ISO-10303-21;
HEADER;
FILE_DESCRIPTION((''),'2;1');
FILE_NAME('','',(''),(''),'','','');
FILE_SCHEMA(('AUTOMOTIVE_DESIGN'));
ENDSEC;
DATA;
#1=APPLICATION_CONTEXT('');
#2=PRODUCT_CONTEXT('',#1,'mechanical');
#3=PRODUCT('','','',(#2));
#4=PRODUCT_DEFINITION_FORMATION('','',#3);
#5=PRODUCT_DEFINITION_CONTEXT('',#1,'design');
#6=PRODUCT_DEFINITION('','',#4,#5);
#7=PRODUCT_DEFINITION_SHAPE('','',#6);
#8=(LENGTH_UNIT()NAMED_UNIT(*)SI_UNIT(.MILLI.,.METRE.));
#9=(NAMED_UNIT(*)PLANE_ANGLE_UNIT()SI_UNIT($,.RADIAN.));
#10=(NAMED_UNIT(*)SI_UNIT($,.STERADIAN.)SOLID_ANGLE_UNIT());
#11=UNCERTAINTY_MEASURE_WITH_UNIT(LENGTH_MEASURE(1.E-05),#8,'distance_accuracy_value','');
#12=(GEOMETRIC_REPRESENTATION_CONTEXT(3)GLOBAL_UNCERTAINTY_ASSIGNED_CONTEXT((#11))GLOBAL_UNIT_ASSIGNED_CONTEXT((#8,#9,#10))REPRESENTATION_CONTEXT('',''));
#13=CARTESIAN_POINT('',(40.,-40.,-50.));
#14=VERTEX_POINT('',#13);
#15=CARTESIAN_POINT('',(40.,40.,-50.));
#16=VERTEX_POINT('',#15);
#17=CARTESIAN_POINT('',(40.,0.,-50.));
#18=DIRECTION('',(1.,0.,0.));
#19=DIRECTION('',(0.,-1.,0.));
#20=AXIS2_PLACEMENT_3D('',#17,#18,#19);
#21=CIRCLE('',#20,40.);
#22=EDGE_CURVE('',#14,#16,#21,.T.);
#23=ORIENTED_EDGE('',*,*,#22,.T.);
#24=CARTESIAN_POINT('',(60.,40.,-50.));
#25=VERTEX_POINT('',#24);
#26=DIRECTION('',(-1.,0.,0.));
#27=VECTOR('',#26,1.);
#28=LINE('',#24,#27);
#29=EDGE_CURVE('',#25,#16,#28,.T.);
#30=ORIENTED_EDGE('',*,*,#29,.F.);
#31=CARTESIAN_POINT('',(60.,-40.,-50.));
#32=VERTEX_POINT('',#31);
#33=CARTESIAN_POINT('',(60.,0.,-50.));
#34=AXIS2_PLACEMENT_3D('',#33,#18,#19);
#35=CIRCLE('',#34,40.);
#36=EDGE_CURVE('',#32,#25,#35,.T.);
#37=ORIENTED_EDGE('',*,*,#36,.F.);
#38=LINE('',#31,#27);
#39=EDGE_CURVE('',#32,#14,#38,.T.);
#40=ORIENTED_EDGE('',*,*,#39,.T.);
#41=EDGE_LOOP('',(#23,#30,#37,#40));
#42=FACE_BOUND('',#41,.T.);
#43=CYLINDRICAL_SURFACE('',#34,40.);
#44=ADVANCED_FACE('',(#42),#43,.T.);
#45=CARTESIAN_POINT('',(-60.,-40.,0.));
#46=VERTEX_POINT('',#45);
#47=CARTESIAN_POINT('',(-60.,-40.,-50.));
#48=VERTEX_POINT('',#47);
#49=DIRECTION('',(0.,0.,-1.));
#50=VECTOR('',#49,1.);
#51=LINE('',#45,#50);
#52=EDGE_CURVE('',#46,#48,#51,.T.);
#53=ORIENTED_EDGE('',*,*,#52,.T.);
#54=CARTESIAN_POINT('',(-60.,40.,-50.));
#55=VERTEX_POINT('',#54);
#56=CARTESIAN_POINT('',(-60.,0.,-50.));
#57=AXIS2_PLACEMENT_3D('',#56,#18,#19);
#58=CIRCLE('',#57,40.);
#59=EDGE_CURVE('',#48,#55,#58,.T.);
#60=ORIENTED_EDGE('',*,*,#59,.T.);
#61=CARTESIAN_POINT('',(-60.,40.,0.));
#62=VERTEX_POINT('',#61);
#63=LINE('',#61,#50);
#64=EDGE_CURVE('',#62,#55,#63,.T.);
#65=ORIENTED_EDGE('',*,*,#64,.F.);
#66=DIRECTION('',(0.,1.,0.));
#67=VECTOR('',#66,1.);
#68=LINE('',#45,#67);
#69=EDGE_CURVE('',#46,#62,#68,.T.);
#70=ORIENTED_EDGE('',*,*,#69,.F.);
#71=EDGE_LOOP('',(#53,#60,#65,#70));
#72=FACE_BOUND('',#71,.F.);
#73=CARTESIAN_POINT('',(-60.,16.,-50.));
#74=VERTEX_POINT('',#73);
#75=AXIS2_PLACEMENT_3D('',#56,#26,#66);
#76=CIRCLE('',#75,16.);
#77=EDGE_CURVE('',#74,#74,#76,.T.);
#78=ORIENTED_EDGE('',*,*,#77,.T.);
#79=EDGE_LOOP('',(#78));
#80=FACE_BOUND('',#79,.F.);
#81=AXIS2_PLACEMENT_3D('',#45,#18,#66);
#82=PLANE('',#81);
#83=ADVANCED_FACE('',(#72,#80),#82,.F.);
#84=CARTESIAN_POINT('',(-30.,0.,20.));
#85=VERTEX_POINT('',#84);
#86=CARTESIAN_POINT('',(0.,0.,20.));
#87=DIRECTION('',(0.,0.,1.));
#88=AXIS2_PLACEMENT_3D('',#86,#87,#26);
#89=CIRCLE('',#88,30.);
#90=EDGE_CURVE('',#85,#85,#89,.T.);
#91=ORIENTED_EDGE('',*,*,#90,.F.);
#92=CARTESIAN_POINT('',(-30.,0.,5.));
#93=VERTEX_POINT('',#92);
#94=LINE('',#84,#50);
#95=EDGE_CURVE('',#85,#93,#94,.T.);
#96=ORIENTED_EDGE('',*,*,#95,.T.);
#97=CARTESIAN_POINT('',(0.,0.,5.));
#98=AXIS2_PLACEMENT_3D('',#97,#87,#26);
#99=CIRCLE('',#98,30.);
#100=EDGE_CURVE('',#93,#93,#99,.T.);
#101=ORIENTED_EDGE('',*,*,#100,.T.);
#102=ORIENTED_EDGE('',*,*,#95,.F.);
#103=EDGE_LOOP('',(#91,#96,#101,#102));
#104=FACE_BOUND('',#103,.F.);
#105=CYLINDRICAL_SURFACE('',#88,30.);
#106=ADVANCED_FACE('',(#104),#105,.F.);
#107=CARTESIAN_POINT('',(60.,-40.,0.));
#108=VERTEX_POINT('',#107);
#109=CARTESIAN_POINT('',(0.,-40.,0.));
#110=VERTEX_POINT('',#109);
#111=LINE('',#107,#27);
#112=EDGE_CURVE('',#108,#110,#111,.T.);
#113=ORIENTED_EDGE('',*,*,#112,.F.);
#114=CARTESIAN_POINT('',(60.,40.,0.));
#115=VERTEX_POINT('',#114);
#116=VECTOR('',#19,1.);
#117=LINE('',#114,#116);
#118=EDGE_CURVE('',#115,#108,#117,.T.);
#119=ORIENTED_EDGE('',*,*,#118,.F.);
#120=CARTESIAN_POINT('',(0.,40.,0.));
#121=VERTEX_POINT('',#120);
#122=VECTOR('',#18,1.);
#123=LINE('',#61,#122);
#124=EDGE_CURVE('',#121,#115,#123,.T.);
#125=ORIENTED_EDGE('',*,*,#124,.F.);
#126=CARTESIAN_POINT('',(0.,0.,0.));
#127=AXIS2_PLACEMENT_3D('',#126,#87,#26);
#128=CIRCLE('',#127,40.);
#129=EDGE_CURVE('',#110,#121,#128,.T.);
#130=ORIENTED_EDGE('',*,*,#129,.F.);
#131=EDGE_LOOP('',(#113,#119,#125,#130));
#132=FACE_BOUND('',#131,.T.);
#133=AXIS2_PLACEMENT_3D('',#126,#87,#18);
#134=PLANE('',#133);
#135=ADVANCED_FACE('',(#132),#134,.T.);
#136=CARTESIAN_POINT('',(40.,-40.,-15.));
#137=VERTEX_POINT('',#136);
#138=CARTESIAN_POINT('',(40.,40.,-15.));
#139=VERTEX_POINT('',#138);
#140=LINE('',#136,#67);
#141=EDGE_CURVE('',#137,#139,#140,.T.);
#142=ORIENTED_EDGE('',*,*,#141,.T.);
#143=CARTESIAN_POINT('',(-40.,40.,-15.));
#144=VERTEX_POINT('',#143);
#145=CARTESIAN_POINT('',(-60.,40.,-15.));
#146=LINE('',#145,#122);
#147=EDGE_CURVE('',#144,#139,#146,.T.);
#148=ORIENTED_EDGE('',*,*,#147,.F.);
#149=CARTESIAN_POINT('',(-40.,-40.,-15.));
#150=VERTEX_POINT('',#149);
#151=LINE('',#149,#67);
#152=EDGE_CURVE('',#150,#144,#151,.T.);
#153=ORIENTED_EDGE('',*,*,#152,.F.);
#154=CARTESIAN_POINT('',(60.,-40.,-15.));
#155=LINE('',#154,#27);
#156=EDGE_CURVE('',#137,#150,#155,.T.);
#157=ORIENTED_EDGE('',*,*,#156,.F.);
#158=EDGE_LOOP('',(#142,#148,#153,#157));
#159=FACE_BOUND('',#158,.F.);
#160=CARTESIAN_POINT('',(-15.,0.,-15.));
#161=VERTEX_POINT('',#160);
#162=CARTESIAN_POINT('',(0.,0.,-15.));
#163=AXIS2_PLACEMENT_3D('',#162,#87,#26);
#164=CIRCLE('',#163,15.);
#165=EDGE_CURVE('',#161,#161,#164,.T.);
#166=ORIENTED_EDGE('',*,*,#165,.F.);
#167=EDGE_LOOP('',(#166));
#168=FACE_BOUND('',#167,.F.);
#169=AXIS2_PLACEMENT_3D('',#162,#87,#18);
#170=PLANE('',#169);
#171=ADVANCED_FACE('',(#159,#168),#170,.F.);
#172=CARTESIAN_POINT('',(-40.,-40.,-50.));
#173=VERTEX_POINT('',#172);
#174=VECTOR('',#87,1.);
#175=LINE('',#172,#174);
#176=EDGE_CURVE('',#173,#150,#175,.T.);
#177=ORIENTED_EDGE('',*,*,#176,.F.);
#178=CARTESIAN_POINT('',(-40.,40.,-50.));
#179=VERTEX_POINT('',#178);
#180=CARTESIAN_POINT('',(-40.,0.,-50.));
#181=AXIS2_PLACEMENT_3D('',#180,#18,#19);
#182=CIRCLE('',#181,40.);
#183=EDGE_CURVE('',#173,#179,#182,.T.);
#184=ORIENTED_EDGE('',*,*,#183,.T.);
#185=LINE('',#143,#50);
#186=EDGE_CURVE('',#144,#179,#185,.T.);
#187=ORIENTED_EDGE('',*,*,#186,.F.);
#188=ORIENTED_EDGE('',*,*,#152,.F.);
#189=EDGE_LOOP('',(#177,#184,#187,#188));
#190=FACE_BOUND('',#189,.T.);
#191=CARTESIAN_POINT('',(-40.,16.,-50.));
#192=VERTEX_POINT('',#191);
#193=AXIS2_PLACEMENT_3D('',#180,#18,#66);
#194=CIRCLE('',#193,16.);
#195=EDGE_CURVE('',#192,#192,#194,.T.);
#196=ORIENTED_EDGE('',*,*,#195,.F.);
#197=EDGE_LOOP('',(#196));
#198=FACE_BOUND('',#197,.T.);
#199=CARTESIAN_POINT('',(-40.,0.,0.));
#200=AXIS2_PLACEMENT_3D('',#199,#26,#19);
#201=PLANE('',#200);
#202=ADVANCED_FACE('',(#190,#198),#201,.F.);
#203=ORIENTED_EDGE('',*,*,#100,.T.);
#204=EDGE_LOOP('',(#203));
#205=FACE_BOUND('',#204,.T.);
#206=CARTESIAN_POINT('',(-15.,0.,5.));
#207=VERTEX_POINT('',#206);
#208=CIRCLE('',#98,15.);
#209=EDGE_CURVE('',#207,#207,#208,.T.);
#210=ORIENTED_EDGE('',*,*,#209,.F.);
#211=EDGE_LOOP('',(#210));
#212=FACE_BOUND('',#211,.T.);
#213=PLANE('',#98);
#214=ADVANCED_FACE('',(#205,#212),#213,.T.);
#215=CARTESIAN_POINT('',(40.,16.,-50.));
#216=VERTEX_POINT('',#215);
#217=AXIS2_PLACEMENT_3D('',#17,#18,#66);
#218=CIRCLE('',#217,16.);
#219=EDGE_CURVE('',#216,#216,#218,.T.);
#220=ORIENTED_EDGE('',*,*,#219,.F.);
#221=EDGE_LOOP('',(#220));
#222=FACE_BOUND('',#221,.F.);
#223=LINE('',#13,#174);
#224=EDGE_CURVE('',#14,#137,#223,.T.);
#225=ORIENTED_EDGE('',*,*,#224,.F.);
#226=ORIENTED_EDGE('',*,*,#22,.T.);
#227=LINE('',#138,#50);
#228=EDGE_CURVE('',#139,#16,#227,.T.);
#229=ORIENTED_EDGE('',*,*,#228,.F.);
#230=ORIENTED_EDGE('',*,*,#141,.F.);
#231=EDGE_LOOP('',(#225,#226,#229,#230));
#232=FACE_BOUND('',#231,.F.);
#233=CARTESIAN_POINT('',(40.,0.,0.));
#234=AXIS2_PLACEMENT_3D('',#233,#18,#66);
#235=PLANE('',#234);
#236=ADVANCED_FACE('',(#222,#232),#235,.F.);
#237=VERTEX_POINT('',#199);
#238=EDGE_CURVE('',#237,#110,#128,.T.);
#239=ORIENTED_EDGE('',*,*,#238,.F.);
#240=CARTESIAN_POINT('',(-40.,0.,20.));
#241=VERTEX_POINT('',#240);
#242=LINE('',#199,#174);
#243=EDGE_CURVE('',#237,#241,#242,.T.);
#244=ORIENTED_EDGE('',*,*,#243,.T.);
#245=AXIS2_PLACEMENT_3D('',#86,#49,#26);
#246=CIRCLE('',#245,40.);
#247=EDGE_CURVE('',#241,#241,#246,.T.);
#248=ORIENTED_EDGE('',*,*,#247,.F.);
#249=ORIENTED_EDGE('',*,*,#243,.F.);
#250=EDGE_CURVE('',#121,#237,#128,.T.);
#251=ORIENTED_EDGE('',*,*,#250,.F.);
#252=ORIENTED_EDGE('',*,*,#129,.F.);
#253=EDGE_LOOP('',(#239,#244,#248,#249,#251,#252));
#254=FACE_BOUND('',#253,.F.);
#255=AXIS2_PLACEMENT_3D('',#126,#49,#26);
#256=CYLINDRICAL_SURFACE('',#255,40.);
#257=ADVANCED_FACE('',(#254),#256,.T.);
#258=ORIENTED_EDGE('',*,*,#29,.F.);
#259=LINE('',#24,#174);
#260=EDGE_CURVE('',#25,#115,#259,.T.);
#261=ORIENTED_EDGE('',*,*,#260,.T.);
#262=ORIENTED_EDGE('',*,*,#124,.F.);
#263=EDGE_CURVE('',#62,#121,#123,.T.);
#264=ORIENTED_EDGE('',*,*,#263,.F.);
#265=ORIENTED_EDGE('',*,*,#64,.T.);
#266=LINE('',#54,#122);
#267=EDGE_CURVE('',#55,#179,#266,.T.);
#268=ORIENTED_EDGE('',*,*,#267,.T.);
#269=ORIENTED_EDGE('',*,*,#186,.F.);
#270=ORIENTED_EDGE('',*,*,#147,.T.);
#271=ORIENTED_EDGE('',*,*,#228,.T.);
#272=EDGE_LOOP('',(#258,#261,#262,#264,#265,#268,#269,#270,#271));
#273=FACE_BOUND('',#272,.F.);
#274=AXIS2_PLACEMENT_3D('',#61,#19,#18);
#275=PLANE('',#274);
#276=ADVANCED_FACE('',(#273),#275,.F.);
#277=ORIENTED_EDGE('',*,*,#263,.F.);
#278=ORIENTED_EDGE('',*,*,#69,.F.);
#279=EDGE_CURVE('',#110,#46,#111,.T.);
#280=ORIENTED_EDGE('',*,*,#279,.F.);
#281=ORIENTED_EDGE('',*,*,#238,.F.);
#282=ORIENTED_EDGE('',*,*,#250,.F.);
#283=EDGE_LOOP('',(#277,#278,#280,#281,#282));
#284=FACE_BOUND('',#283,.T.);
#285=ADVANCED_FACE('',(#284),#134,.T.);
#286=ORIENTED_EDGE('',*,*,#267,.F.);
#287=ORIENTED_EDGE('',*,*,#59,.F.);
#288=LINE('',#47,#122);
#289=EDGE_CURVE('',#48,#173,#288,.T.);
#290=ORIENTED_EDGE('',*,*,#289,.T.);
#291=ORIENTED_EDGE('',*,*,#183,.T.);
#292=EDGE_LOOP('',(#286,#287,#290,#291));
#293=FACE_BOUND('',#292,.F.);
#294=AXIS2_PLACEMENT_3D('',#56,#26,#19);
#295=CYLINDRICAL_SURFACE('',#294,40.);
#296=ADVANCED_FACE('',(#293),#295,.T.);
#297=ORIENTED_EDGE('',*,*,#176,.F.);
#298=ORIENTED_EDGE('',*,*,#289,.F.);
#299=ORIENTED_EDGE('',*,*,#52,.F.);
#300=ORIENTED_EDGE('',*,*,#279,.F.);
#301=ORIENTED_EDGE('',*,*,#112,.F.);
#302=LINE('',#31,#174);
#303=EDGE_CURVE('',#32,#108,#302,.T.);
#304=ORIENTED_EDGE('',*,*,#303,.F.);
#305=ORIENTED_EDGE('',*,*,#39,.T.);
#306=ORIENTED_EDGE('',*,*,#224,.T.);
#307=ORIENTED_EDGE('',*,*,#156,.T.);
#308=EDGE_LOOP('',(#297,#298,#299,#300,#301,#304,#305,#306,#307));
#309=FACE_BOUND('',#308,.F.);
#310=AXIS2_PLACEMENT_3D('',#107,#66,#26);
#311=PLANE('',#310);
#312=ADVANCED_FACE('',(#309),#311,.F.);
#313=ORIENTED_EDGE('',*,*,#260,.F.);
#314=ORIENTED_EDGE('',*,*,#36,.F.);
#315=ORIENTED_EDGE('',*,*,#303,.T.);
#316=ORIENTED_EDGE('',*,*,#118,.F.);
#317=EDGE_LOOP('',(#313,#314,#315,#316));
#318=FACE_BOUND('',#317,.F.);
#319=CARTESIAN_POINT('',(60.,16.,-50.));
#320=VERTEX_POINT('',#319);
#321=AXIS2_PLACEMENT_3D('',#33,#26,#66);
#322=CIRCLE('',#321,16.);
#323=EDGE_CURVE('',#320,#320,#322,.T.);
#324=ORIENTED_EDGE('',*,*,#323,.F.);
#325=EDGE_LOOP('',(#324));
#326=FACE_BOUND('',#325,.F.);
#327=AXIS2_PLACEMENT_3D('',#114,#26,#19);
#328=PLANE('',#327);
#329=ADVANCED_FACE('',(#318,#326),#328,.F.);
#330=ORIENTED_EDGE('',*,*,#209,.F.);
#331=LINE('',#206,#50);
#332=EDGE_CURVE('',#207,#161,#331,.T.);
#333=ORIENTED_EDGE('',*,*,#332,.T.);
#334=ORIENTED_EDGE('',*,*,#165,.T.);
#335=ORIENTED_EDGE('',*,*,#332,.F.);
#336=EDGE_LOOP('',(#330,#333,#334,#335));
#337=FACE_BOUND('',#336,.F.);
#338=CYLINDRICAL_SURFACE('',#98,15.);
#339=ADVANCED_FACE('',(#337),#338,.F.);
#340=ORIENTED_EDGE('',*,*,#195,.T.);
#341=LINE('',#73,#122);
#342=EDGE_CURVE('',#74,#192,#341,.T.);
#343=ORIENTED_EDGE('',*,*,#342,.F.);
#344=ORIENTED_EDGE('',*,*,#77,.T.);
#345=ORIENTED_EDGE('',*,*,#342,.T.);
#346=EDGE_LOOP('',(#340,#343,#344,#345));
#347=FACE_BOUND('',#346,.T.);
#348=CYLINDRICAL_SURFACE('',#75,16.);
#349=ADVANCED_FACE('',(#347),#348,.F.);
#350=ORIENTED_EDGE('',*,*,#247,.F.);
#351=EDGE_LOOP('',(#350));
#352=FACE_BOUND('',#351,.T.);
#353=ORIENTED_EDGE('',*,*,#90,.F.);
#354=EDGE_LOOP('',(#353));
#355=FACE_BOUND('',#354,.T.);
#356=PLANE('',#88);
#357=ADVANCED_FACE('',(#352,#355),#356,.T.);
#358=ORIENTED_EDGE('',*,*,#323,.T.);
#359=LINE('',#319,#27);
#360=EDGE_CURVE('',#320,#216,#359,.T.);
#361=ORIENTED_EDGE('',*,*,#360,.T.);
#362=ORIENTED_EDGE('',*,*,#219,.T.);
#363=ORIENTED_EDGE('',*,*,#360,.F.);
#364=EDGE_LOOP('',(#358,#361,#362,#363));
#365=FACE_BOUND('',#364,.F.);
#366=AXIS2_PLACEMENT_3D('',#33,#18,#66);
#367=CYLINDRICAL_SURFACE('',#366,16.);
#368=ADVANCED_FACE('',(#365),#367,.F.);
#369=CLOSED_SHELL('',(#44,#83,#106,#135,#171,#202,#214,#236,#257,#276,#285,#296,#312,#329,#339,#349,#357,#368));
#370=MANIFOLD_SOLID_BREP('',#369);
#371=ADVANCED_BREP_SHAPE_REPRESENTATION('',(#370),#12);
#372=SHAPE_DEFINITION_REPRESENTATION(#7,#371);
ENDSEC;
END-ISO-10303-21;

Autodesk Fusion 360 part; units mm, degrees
sketch "Sketch1" plane through (0, 0, 0) normal (0, 0, 1) x (1, 0, 0)
  line L0 (60, -40) -> (-60, -40)
  line L1 (-60, -40) -> (-60, 40)
  line L2 (-60, 40) -> (60, 40)
  line L3 (60, 40) -> (60, -40)
  line L4 (60, -40) -> (-60, 40) construction
  line L5 (-60, -40) -> (60, 40) construction
  dimension "d1" = 120
  dimension "d2" = 80
extrude "Extrude1" add sketch "Sketch1" against normal blind 15
sketch "Sketch2" plane through (0, 0, 0) normal (0, 0, 1) x (-1, 0, 0)
  line L0 (-60, -40) -> (60, -40)
  line L1 (60, -40) -> (60, 40)
  line L2 (60, 40) -> (-60, 40)
  line L3 (-60, 40) -> (-60, -40)
  circle A0 centre (0, 0) radius 40
  dimension "d5" = 80
extrude "Extrude2" add sketch "Sketch2" along normal blind 20 contours A0
sketch "Sketch3" plane through (0, 0, 20) normal (0, 0, 1) x (-1, 0, 0)
  circle A0 centre (0, 0) radius 40
  circle A1 centre (0, 0) radius 30
  dimension "d8" = 60
extrude "Extrude3" cut sketch "Sketch3" against normal blind 15 contours A1
sketch "Sketch4" plane through (0, 0, 5) normal (0, 0, 1) x (-1, 0, 0)
  circle A0 centre (0, 0) radius 30
  circle A1 centre (0, 0) radius 15
  dimension "d11" = 30
extrude "Extrude4" cut sketch "Sketch4" against normal blind 20 contours A1
sketch "Sketch5" plane through (60, 0, 0) normal (1, 0, 0) x (0, 1, 0)
  line L0 (40, 0) -> (-40, 0)
  line L1 (-40, 0) -> (-40, -15)
  line L2 (-40, -15) -> (40, -15)
  line L3 (40, -15) -> (40, 0)
  line L4 (-40, -15) -> (40, -15)
  line L5 (40, -15) -> (40, -50)
  line L6 (40, -50) -> (-40, -50)
  line L7 (-40, -50) -> (-40, -15)
  arc A0 (-40, -50) -> (40, -50) centre (0, -50) ccw
  circle A1 centre (0, -50) radius 16
  dimension "d14" = 35
  dimension "d15" = 32
extrude "Extrude5" add sketch "Sketch5" against normal blind 20 contours L2 L4 L5 L6 L7 A1 | L6 A0 A1
mirror "Mirror1" about plane through (0, 0, 0) normal (1, 0, 0) of "Extrude5"
